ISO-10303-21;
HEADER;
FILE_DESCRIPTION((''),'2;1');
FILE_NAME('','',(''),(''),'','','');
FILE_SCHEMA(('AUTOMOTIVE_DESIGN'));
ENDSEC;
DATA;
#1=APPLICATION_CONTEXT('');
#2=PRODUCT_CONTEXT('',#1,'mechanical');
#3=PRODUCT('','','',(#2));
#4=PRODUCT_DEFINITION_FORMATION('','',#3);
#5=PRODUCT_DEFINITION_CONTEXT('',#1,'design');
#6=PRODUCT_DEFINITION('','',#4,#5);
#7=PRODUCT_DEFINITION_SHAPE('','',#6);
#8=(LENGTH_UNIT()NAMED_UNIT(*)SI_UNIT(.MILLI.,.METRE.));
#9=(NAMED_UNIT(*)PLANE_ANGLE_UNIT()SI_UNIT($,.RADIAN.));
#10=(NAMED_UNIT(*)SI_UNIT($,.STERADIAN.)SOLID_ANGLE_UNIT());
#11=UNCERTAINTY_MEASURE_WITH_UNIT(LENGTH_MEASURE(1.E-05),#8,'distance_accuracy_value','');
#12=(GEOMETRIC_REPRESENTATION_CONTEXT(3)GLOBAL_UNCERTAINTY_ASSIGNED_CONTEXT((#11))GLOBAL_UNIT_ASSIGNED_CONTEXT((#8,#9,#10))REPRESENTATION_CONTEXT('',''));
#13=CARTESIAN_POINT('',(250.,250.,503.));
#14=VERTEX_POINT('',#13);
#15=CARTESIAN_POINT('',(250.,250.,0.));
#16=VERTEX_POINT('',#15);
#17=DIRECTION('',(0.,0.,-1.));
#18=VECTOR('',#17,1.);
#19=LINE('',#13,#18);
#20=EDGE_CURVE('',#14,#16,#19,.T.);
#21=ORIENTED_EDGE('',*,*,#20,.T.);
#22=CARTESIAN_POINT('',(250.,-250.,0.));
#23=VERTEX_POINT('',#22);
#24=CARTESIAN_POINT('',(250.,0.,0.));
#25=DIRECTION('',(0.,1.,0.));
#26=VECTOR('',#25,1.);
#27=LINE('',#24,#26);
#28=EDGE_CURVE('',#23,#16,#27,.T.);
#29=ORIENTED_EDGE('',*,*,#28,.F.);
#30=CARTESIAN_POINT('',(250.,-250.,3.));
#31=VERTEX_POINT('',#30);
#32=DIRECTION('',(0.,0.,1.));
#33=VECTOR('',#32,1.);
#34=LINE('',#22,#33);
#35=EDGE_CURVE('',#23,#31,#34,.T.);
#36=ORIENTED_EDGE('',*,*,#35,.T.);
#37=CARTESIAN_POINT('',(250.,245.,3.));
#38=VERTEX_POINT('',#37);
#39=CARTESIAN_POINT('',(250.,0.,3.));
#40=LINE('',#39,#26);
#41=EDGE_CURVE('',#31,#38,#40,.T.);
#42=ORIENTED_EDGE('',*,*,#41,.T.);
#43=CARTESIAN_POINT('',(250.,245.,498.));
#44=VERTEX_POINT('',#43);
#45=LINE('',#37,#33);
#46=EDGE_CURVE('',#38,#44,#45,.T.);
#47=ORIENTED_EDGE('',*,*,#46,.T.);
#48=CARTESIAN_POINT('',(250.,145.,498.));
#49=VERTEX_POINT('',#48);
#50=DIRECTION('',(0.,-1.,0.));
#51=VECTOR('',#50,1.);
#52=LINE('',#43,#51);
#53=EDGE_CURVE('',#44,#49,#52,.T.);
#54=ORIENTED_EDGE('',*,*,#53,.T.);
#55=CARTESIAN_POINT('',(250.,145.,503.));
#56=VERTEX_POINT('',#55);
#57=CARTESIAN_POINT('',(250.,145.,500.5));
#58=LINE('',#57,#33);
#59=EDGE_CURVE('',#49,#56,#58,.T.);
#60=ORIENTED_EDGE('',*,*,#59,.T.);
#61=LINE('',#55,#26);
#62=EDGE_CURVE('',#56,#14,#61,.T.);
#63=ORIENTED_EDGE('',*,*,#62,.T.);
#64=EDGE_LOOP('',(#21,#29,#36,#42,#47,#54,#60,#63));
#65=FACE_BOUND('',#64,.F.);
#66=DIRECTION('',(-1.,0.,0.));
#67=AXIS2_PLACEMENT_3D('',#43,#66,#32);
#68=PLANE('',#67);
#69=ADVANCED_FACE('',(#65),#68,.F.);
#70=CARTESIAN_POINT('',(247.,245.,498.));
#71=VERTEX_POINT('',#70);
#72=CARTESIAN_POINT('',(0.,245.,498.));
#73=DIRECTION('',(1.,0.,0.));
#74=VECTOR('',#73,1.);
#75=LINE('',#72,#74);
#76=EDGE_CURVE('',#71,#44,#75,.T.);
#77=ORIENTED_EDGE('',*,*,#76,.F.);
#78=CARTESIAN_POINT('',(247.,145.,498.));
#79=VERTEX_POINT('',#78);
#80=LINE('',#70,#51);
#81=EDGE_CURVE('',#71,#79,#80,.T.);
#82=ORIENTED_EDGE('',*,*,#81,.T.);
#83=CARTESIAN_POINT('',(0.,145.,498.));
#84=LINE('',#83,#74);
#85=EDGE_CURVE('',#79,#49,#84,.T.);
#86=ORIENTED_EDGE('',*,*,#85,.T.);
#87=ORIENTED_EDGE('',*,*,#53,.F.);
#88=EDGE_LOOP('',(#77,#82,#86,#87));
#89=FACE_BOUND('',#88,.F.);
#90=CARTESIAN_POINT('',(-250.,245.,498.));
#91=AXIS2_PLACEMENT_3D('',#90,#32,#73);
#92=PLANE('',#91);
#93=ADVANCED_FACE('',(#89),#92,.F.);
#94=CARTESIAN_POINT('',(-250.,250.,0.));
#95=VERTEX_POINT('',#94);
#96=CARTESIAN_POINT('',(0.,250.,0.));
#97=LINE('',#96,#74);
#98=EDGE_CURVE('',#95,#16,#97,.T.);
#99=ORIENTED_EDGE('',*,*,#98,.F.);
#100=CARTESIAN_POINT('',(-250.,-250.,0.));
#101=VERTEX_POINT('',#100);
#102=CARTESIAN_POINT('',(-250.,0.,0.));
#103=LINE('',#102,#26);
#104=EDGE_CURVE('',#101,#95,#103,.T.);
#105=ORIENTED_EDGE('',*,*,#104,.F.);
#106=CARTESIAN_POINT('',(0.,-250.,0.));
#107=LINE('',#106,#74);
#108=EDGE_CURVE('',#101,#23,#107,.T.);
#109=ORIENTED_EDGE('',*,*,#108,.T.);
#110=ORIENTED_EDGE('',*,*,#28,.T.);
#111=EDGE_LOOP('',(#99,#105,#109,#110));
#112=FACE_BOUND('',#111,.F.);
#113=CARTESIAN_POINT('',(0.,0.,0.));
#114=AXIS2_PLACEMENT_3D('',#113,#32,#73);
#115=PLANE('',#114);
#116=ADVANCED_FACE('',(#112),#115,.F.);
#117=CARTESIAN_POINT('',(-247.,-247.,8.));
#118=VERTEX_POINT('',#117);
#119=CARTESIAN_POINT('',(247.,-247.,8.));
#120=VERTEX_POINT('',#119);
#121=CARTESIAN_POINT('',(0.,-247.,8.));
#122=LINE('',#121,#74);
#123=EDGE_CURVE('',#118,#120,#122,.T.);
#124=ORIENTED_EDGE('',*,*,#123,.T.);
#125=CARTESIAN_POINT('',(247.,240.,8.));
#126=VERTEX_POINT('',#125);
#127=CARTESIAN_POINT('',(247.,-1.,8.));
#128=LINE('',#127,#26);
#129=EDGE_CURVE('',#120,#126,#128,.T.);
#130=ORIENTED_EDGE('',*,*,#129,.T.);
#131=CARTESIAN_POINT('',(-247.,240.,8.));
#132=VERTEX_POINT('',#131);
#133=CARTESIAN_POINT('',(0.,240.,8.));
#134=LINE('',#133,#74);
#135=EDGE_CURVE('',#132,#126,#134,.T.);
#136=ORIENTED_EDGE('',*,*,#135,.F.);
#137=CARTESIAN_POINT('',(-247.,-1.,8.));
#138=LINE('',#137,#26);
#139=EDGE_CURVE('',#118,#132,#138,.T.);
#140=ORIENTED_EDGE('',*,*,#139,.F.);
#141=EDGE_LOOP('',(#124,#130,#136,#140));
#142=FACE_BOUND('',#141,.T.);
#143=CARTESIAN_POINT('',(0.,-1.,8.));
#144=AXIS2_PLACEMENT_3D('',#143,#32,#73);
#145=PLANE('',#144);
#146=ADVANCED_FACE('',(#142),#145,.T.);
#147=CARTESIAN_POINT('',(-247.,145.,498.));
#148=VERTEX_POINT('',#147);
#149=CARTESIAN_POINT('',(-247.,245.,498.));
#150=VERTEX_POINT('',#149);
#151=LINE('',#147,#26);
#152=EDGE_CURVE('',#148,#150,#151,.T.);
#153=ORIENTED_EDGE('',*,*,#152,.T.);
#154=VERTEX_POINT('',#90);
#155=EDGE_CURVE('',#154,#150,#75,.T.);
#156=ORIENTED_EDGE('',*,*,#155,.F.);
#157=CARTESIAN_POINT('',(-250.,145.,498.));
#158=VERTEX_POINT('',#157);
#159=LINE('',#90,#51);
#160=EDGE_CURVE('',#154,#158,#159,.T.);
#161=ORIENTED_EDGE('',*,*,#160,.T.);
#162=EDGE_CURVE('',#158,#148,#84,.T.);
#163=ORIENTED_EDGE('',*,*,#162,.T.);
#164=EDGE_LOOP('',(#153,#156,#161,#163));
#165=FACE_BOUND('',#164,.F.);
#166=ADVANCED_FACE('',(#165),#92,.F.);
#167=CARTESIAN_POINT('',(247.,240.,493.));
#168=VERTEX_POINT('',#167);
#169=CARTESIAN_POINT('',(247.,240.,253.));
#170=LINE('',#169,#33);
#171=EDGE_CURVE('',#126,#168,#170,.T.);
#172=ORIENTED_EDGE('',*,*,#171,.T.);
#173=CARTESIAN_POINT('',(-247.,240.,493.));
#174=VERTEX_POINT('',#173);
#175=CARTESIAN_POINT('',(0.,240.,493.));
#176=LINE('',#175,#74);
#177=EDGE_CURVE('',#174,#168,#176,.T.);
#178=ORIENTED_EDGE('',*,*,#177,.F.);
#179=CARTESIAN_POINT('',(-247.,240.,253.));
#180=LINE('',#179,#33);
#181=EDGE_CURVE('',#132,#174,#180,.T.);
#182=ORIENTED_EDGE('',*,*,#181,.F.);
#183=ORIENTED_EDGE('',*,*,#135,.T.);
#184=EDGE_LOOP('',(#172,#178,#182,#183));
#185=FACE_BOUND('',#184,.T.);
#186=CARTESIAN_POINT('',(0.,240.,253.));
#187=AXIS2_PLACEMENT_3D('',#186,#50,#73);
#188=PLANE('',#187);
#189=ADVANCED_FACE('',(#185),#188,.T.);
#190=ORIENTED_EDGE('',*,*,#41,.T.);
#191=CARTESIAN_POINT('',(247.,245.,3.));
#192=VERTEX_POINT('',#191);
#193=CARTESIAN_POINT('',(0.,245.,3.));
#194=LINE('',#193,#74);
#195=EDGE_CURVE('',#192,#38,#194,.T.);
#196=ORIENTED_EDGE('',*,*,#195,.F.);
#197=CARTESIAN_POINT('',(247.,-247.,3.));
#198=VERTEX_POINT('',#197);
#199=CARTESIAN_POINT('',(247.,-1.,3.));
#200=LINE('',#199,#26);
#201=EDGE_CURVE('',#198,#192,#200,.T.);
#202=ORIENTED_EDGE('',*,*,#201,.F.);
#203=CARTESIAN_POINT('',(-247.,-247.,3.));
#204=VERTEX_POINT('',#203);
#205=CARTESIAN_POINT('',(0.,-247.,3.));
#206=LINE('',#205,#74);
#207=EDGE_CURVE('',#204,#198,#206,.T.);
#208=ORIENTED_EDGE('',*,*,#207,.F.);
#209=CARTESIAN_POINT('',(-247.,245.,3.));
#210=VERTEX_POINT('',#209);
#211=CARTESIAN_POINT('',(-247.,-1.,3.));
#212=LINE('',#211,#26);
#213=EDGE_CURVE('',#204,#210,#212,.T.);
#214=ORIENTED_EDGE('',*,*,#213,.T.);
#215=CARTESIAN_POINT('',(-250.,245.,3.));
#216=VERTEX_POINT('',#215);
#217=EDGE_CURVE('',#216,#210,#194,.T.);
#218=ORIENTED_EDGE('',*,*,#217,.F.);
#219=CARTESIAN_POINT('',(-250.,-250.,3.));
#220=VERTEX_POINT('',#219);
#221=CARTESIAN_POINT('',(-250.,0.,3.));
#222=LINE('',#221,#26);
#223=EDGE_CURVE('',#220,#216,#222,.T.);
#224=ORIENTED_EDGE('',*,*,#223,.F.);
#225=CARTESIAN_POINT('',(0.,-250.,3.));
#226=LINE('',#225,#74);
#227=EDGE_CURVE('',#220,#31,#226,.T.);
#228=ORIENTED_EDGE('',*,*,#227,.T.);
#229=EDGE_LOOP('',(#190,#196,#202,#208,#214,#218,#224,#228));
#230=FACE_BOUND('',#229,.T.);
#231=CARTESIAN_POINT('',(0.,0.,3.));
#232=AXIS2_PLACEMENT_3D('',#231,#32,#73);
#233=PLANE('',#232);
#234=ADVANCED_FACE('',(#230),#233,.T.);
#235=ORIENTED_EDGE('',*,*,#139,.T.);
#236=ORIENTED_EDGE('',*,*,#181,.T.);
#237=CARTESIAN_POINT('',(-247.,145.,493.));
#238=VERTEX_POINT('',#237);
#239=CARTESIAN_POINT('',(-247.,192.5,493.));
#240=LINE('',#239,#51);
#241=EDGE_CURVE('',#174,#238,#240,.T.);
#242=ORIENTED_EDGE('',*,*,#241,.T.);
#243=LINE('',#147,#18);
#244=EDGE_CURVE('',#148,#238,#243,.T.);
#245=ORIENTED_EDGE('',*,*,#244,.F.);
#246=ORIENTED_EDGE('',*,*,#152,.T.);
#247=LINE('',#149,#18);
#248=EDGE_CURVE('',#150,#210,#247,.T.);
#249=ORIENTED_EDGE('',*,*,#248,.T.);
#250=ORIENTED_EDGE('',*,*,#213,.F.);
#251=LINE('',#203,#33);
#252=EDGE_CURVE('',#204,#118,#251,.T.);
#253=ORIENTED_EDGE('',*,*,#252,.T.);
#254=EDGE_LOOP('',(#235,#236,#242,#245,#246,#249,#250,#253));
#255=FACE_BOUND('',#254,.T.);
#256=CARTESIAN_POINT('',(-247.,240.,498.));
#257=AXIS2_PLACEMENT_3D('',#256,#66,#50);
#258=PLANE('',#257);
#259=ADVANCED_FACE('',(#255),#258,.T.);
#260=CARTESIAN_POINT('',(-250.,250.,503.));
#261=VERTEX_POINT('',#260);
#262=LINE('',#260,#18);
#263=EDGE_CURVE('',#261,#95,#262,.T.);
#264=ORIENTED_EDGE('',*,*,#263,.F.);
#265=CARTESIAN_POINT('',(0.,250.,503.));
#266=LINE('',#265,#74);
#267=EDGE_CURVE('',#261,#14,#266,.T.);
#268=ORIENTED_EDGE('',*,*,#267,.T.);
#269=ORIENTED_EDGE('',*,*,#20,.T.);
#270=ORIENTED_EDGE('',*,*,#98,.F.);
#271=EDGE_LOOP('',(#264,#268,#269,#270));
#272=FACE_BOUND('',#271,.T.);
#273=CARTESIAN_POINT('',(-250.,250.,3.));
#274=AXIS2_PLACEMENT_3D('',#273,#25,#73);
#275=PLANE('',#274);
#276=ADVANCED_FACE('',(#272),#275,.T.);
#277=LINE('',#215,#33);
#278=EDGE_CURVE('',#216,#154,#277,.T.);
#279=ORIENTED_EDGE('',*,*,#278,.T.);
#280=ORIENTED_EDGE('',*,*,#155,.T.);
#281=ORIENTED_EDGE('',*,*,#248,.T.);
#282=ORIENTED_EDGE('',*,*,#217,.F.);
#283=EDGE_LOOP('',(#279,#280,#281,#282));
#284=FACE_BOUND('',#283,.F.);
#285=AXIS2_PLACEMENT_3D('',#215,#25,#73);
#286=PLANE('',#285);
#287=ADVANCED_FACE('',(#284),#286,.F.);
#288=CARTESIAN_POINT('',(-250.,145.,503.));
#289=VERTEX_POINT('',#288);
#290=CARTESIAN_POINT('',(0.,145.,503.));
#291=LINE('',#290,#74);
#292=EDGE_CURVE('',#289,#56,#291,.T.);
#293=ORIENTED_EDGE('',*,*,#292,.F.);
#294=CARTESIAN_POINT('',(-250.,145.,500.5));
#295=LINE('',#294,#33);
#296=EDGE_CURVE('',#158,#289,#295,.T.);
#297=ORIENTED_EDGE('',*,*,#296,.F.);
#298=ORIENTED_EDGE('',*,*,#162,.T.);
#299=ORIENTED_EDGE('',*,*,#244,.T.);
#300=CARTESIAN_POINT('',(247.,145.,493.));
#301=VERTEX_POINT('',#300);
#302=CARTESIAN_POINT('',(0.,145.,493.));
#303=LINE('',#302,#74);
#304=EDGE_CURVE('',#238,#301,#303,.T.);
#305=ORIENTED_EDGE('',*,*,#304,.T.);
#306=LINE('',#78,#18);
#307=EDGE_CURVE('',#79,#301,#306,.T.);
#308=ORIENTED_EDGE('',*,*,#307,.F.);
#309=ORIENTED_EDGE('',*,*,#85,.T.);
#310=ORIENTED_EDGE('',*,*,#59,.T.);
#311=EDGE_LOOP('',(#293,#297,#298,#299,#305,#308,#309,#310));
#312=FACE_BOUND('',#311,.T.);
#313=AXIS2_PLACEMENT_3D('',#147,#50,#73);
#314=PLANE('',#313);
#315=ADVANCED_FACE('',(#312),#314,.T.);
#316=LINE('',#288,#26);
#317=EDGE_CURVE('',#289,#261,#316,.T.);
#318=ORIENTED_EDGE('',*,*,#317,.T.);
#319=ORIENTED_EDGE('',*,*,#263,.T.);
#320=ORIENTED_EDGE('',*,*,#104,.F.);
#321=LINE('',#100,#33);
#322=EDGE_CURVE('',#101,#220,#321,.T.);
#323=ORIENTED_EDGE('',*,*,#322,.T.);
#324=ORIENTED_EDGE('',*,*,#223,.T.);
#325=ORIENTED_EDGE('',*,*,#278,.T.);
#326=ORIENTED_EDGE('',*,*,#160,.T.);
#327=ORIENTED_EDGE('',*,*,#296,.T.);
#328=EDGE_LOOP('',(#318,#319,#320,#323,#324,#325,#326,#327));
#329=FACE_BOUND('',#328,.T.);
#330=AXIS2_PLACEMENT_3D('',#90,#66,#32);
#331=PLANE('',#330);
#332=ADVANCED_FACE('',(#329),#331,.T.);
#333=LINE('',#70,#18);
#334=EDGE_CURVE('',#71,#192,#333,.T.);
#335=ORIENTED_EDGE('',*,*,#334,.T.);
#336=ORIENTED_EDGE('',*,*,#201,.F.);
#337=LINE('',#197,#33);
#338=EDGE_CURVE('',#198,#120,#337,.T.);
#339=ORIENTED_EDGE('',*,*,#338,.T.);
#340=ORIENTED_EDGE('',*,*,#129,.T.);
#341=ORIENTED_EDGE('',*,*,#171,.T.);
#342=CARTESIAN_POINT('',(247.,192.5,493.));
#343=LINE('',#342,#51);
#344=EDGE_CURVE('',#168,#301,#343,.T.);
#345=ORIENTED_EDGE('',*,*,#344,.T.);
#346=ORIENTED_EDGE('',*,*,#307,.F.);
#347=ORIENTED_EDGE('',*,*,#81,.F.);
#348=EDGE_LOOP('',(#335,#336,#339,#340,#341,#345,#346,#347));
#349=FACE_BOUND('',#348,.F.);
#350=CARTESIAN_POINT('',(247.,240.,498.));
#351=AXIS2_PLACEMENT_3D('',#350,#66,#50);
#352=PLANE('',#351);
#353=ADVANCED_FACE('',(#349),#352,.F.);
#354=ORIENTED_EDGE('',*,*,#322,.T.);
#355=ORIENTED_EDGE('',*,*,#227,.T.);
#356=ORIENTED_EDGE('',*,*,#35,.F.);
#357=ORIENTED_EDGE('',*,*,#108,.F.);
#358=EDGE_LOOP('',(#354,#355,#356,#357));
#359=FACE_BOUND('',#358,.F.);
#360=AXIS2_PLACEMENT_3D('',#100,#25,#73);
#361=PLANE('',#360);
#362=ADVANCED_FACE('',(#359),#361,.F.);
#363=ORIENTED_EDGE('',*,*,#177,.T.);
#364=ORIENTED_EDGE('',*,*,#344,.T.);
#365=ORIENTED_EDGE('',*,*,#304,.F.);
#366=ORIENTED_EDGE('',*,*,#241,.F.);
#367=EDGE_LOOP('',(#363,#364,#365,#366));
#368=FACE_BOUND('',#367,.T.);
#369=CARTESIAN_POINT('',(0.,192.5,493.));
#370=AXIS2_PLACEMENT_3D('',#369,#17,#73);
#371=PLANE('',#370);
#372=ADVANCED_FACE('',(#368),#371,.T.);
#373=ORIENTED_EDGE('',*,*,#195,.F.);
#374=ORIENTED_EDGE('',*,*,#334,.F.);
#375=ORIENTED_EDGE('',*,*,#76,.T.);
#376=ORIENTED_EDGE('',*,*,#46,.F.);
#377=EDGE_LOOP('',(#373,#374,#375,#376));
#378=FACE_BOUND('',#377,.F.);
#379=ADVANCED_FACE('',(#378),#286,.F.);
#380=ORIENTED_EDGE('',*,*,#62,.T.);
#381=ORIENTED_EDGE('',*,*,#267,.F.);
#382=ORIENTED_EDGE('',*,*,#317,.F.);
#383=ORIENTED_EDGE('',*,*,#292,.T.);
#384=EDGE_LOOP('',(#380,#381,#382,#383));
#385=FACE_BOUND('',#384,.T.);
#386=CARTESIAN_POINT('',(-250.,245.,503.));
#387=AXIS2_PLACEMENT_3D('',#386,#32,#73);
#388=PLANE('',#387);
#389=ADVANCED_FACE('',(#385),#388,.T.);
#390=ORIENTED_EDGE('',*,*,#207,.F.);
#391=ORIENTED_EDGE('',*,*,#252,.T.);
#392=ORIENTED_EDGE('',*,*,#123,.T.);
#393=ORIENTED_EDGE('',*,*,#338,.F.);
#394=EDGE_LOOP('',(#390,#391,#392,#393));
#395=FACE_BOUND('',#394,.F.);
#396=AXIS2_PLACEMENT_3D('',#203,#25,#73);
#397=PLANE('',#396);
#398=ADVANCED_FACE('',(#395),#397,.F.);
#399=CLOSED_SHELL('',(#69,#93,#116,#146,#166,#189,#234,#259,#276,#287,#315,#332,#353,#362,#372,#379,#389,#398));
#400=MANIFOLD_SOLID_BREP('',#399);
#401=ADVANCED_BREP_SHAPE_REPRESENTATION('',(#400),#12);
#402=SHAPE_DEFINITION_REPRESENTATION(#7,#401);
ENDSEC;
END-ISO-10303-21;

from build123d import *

# Parameters (mm, degrees)
F0_W      = 500
F0_H      = 500
F1_DEPTH  = 3
F2_W      = 494
F2_H      = 492
F3_DEPTH  = 5
F4_W      = 500
F4_H      = 5
F5_DEPTH  = 500
F6_W      = 494
F6_H      = 490
F7_DEPTH  = 5
F8_W      = 500
F8_H      = 5
F9_DEPTH  = 100
F10_W     = 494
F10_H     = 95
F12_DEPTH = 5


with BuildPart() as f1:
    # F0 (on Top) → F1 (new body)
    with BuildSketch(Plane.XY):
        Rectangle(F0_W, F0_H)
    extrude(amount=F1_DEPTH)

    # F2 (on face) → F3 (join)
    with BuildSketch(Plane.XY.offset(3)):
        with Locations((0, -1)):
            Rectangle(F2_W, F2_H)
    extrude(amount=F3_DEPTH)

    # F4 (on face) → F5 (join)
    with BuildSketch(Plane.XY.offset(3)):
        with Locations((0, 247.5)):
            Rectangle(F4_W, F4_H)
    extrude(amount=F5_DEPTH)

    # F6 (on face) → F7 (join)
    with BuildSketch(Plane.XZ.offset(-245)):
        with Locations((0, 253)):
            Rectangle(F6_W, F6_H)
    extrude(amount=F7_DEPTH)

    # F8 (on face) → F9 (join)
    with BuildSketch(Plane.XZ.offset(-245)):
        with Locations((0, 500.5)):
            Rectangle(F8_W, F8_H)
    extrude(amount=F9_DEPTH)

    # F10 (on face) → F12 (join)
    with BuildSketch(Plane(origin=(0, 0, 498), x_dir=(1, 0, 0), z_dir=(0, 0, -1))):
        with Locations((0, -192.5)):
            Rectangle(F10_W, F10_H)
    extrude(amount=F12_DEPTH)


solid = f1.part
